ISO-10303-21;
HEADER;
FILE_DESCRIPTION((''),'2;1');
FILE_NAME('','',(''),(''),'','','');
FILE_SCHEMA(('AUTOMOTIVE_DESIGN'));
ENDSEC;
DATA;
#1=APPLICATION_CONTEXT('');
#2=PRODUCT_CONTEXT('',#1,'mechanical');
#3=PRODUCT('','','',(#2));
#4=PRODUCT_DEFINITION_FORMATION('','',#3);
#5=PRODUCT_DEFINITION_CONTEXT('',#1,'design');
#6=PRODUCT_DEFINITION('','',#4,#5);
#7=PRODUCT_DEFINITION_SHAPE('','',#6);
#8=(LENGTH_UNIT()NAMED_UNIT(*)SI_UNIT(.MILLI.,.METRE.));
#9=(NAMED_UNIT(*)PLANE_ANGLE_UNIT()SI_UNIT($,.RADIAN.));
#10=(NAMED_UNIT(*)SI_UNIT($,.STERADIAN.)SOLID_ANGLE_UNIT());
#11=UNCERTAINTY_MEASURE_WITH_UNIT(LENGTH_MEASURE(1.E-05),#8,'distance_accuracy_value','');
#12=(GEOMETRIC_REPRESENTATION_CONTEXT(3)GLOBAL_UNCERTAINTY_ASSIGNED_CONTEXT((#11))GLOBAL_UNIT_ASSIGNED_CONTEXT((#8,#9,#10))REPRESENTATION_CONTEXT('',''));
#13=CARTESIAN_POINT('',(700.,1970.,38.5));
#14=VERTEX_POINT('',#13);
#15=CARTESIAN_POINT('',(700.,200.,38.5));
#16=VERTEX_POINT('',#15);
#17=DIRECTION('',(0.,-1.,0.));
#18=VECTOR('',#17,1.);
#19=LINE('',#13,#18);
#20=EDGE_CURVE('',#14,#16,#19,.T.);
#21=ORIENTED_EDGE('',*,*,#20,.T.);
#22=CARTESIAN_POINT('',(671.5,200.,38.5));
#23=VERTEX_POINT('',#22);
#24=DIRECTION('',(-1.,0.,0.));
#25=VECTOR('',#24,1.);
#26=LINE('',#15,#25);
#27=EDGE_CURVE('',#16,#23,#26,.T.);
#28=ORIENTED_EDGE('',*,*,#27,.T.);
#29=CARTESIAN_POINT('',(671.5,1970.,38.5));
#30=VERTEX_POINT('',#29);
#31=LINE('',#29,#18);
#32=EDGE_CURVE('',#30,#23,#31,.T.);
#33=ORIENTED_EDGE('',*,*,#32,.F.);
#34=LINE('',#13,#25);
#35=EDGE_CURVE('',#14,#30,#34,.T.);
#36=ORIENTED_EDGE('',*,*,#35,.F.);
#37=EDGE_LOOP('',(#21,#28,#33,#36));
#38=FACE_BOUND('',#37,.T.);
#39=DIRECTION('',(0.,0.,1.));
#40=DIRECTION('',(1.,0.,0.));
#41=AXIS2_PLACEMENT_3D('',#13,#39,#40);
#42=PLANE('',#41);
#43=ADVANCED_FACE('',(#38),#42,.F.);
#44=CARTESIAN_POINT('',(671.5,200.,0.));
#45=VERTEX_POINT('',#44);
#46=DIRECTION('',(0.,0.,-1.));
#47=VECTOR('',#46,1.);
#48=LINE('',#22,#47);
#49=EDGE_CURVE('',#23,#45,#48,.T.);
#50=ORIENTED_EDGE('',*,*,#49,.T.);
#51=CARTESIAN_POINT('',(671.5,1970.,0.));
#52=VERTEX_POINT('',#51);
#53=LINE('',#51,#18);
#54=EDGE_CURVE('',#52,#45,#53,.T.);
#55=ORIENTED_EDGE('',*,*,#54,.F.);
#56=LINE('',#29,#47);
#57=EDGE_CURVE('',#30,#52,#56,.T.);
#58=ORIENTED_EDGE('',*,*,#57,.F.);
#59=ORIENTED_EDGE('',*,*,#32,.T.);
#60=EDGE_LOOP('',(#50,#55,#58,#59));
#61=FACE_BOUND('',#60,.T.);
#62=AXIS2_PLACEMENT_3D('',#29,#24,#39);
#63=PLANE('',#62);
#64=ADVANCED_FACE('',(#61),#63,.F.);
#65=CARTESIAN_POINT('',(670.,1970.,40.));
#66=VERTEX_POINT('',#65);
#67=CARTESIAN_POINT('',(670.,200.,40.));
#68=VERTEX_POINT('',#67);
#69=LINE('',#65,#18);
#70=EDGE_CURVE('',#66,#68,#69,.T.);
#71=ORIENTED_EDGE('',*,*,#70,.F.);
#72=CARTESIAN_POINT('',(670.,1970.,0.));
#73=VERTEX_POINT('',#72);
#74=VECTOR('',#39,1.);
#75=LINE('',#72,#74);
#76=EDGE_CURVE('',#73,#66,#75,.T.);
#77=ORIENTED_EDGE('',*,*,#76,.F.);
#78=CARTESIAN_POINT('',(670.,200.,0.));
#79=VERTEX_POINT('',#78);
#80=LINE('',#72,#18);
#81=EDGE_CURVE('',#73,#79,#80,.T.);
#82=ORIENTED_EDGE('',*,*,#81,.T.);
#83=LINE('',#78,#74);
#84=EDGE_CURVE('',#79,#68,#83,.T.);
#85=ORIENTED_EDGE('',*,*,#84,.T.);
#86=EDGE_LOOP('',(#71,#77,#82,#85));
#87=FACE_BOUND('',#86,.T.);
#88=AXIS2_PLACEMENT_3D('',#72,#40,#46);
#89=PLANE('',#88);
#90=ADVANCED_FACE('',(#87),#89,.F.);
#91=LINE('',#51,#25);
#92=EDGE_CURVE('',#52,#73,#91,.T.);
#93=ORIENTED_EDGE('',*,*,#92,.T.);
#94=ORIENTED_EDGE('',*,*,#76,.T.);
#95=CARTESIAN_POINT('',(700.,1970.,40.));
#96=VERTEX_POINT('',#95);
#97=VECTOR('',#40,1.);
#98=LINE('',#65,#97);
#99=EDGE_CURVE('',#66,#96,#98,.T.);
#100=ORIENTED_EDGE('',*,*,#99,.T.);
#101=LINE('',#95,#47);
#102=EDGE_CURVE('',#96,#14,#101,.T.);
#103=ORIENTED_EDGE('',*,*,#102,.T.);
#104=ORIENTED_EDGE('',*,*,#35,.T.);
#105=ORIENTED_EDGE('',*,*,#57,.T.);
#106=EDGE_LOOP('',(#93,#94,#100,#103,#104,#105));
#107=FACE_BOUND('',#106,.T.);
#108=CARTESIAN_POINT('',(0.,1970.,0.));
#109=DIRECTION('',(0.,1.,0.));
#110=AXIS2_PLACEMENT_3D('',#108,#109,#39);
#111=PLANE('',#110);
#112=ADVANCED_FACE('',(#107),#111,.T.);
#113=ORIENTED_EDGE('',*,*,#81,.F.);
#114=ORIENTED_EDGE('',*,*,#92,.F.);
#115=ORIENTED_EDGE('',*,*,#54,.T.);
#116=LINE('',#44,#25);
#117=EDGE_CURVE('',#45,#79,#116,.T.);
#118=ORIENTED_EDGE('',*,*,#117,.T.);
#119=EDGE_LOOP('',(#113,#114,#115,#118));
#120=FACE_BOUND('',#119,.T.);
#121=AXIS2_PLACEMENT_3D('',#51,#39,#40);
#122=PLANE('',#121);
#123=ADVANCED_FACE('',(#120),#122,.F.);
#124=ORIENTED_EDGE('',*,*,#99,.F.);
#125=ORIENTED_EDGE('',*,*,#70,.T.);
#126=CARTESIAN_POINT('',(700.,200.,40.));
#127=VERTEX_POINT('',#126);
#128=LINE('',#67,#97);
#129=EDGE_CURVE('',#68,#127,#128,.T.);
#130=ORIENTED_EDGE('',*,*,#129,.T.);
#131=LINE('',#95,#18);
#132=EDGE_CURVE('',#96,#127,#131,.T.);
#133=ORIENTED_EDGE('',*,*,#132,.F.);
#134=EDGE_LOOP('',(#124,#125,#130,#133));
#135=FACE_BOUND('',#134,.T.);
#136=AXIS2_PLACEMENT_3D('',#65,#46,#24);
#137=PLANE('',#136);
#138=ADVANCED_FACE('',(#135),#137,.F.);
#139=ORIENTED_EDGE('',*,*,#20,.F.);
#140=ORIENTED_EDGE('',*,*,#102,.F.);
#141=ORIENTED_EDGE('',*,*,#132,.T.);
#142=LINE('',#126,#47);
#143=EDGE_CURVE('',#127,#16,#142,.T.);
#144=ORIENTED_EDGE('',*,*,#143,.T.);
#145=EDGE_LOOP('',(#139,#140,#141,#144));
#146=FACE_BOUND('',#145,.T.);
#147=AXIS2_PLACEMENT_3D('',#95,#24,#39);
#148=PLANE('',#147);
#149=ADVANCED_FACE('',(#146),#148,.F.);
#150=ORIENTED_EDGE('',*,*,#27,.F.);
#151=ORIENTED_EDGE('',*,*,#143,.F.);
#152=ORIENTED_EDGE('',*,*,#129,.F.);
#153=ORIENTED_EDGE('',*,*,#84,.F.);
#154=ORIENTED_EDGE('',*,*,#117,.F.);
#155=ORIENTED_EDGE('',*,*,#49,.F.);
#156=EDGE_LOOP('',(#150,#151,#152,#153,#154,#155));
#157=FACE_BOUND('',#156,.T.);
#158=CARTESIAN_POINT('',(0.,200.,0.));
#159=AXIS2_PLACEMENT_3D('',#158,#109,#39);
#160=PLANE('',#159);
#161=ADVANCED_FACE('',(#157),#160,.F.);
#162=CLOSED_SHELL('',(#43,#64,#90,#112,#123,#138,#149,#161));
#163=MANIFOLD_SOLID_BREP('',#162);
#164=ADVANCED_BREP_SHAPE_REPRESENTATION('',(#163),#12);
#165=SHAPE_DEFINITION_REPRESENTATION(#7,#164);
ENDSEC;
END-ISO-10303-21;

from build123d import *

# Parameters (mm, degrees)
TOPPING_SOVE_SAG_1_START = 200
TOPPING_SOVE_SAG_1_DEPTH = 1770


with BuildPart() as part:
    # Sketch1 → TOPPING_sove_sag_1 (new body)
    with BuildSketch(Plane(origin=(0, 0, 0), x_dir=(1, 0, 0), z_dir=(0, 1, 0)).offset(TOPPING_SOVE_SAG_1_START)):
        Polygon((700, -40), (700, -38.5), (671.5, -38.5), (671.5, 0), (670, 0), (670, -40), align=None)
    extrude(amount=TOPPING_SOVE_SAG_1_DEPTH)


solid = part.part
